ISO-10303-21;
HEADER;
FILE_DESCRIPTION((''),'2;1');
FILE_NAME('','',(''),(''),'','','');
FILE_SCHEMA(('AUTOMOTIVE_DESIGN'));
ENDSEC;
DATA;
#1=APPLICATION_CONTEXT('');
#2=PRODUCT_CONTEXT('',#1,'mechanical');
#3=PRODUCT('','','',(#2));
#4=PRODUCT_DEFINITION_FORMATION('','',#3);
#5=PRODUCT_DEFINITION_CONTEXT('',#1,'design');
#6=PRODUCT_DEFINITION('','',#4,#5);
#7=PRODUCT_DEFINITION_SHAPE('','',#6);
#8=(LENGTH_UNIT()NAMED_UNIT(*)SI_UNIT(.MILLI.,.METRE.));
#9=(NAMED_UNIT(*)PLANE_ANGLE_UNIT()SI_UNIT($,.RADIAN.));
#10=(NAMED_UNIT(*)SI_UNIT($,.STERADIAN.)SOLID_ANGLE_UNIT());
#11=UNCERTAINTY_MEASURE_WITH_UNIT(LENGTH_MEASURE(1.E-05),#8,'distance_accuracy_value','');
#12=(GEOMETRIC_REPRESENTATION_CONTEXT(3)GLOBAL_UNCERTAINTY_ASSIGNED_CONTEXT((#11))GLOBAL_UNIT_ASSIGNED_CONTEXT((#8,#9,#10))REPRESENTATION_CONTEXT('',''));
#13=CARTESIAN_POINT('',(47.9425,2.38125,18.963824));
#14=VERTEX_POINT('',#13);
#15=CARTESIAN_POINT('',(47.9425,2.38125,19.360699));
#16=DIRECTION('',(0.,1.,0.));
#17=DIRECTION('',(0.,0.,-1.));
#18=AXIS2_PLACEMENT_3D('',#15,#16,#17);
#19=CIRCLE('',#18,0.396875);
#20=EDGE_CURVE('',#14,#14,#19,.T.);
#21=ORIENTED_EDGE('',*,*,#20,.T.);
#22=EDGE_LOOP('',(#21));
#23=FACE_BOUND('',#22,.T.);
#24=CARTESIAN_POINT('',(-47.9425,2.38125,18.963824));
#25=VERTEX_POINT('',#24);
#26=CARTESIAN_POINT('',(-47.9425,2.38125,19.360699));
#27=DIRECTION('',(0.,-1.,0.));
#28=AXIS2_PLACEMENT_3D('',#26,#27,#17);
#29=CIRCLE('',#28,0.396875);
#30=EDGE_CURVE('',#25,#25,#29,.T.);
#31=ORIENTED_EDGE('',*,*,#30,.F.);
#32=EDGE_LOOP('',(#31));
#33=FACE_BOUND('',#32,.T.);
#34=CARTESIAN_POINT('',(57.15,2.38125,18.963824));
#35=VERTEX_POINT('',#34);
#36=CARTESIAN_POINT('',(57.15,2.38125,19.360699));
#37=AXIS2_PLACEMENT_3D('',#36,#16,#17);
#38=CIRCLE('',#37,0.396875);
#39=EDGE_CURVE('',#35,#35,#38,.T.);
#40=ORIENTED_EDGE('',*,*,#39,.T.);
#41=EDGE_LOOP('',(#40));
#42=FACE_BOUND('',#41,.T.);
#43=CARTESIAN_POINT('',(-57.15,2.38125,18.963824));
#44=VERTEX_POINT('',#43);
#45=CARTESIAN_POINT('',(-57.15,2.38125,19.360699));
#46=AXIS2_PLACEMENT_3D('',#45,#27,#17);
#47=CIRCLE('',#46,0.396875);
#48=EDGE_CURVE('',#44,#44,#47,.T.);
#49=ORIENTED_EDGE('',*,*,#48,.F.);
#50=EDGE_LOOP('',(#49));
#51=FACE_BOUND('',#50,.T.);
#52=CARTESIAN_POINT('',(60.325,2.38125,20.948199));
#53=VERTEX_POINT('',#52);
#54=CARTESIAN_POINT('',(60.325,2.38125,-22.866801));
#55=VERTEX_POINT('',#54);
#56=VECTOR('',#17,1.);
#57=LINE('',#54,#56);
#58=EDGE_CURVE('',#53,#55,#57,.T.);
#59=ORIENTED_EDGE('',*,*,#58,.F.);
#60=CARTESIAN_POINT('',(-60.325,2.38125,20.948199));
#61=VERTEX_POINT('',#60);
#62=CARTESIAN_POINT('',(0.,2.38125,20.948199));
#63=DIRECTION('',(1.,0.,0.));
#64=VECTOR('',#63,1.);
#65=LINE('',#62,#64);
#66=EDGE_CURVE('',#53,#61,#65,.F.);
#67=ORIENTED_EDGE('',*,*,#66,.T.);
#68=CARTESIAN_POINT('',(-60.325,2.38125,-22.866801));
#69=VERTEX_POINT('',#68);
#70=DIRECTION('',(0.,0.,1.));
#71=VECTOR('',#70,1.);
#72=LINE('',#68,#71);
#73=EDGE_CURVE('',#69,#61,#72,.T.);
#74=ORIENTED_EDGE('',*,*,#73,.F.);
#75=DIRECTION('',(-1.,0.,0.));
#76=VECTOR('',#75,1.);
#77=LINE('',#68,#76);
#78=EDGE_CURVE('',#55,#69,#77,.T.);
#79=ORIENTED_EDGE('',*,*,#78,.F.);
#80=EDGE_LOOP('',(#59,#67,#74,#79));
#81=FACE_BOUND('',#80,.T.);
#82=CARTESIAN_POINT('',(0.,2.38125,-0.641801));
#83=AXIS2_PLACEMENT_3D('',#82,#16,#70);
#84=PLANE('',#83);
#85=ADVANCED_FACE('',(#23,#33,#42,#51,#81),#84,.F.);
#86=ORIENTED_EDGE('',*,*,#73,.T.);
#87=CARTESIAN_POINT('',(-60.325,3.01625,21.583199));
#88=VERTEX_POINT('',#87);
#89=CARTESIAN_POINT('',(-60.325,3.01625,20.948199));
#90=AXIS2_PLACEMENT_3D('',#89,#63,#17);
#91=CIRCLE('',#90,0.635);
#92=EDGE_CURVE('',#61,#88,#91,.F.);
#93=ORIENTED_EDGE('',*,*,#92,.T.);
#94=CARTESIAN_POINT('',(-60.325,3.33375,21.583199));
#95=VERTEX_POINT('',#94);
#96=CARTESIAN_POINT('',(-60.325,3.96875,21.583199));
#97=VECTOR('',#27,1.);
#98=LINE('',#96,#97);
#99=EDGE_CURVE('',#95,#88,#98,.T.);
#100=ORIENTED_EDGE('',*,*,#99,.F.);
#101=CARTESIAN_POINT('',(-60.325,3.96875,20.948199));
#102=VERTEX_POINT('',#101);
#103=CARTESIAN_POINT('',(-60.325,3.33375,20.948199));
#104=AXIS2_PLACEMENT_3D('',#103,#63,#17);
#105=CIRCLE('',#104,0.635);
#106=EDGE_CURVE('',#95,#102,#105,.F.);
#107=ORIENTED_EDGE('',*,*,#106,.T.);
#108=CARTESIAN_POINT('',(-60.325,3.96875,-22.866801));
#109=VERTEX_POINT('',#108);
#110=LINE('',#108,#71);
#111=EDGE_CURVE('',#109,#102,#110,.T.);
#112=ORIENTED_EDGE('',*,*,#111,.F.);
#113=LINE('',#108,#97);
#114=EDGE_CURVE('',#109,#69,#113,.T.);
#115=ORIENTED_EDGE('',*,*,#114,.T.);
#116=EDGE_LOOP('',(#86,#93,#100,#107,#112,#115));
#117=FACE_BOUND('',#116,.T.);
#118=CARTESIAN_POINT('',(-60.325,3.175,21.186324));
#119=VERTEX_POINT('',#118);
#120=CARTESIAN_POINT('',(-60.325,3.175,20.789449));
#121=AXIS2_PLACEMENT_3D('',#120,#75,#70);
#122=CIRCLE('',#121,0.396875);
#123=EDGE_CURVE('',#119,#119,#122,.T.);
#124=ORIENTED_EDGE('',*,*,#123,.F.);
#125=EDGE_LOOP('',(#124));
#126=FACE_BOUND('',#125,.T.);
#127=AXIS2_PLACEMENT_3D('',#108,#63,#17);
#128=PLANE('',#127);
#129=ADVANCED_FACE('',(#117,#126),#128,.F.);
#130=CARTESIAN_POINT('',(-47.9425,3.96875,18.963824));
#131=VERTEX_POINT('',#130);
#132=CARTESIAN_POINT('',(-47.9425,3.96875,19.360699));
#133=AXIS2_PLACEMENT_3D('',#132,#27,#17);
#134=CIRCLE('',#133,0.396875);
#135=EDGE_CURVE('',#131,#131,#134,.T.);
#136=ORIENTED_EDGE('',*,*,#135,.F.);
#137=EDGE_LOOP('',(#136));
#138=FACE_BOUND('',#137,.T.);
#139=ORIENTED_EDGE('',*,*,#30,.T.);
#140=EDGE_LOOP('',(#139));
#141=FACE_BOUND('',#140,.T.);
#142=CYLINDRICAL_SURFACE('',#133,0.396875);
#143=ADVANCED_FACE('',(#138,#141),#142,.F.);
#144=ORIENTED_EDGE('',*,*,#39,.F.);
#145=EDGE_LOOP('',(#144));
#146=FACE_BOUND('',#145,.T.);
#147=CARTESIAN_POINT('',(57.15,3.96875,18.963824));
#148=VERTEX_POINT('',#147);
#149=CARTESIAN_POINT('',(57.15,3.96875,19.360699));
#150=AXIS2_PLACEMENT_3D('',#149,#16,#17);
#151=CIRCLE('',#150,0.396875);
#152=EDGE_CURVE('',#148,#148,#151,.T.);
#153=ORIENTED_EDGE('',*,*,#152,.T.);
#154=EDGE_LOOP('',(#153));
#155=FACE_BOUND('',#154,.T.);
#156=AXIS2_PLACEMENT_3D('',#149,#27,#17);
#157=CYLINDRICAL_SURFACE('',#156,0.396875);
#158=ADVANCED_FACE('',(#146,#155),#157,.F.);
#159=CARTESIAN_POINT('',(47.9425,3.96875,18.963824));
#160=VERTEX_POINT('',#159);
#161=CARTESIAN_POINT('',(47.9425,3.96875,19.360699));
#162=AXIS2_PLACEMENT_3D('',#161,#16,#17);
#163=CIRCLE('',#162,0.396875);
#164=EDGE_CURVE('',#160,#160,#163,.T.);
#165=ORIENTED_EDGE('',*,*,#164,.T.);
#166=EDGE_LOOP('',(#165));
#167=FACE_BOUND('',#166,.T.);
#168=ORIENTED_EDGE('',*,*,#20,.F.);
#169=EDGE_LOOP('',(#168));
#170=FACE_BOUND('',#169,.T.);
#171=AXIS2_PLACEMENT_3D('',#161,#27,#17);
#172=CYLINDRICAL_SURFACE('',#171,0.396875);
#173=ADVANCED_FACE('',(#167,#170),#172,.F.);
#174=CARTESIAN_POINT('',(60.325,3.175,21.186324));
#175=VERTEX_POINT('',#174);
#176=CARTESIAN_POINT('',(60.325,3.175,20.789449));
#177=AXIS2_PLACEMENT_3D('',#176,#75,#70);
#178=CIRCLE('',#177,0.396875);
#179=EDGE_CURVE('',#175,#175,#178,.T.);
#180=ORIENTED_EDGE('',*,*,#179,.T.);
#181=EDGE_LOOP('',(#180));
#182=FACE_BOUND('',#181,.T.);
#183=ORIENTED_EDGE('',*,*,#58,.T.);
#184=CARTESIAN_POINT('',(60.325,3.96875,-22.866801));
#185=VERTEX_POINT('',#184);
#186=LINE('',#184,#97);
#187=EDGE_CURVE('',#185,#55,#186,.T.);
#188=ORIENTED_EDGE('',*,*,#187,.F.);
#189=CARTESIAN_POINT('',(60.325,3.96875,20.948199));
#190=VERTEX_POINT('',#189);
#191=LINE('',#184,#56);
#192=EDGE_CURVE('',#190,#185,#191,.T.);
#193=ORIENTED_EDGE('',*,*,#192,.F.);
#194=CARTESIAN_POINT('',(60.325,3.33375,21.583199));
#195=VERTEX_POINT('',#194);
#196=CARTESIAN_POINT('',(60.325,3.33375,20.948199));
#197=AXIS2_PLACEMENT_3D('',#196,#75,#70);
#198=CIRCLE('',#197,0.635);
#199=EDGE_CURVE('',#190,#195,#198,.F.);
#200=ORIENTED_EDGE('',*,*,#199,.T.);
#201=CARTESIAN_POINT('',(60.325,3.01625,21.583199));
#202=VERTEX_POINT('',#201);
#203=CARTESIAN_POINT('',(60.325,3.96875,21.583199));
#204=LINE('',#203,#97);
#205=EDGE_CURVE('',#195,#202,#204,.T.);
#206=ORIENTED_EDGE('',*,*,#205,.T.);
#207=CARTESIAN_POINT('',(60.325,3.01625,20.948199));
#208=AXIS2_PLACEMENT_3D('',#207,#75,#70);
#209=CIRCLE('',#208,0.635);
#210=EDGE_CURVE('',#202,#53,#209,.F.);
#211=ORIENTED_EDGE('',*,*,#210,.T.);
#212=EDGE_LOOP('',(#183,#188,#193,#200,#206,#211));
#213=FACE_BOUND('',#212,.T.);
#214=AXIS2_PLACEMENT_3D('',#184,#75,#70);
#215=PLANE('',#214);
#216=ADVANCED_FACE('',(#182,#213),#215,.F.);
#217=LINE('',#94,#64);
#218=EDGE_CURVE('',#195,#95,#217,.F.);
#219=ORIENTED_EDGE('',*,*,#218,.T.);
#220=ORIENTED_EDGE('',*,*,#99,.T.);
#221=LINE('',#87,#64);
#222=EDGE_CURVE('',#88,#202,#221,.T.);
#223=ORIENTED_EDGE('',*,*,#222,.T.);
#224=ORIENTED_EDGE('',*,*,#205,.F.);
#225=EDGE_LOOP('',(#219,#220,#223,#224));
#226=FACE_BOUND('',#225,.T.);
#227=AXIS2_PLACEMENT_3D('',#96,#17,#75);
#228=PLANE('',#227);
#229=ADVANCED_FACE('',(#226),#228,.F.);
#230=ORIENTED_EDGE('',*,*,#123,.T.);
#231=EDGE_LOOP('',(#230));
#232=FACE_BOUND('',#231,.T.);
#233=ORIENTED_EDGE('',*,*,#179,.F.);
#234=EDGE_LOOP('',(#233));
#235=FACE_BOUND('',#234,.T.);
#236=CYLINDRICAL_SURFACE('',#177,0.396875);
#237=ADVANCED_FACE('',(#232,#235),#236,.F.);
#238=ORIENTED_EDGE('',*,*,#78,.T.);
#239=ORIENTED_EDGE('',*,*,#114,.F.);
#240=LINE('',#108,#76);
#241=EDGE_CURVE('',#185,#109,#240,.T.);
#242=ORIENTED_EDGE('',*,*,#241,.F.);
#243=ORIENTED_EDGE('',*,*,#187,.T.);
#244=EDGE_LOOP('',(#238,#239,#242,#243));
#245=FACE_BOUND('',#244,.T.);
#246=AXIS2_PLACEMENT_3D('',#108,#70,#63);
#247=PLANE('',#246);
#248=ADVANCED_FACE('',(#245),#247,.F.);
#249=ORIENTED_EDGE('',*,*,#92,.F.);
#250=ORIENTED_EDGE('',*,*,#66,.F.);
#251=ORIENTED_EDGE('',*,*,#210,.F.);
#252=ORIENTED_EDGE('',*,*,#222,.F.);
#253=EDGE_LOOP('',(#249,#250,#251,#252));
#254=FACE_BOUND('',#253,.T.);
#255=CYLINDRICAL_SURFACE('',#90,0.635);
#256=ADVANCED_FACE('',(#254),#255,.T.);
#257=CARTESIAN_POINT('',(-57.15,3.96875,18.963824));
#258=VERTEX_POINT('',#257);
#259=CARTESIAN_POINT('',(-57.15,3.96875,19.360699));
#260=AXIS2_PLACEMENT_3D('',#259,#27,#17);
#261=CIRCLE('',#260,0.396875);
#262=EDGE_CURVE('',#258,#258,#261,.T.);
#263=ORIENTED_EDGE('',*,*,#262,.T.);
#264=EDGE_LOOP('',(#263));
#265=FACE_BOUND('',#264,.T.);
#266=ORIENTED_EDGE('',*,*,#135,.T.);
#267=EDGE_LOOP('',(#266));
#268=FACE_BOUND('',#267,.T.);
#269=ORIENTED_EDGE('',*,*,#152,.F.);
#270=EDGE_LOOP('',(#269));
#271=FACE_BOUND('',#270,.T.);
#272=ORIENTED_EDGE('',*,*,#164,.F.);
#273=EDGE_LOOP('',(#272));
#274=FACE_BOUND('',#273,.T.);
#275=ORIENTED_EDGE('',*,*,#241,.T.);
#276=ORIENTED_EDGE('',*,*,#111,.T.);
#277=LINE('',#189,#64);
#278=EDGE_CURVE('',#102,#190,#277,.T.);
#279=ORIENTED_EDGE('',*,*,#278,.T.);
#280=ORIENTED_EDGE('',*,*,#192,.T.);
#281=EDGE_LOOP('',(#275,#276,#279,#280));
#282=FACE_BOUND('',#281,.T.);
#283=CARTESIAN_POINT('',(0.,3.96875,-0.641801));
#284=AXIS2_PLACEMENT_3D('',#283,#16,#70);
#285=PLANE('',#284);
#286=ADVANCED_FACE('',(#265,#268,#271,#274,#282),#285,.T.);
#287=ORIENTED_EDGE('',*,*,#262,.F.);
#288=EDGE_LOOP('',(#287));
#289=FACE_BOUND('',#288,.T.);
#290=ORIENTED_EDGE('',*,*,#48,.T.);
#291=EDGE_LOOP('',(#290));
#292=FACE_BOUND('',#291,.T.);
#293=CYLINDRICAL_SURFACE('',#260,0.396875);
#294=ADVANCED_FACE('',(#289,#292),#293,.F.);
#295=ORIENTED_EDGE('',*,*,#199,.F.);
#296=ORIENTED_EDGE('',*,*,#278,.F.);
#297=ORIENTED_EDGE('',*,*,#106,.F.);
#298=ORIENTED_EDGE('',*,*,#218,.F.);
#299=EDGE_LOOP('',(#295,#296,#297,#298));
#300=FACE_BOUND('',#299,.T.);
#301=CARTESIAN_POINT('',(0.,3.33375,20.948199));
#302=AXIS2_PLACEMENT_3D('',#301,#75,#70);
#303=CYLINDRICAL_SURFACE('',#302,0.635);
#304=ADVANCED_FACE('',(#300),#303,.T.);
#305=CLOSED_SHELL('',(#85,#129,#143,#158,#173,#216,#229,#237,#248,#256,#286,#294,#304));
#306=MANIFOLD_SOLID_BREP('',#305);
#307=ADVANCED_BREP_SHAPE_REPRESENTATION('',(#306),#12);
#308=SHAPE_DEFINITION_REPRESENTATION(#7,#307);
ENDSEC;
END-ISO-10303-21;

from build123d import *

# Parameters (mm, degrees)
SKETCH1_W           = 482.6
SKETCH1_H           = 177.8
BOSS_EXTRUDE1_DEPTH = 6.35
SKETCH2_R           = 1.5875
CUT_EXTRUDE1_DEPTH  = 491.760932125
FILLET1_R           = 2.54
SKETCH4_R           = 1.5875
CUT_EXTRUDE3_DEPTH  = 258.233789577
SCALE1_SCALE        = 0.25


with BuildPart() as part:
    # Sketch1 → Boss-Extrude1 (new body)
    with BuildSketch(Plane(origin=(0, 0, 0), x_dir=(1, 0, 0), z_dir=(0, 1, 0))):
        Rectangle(SKETCH1_W, SKETCH1_H)
    extrude(amount=BOSS_EXTRUDE1_DEPTH)

    # Sketch2 → Cut-Extrude1 (cut, through all)
    with BuildSketch(Plane.ZY.offset(241.3)):
        with Locations((85.725, 3.175)):
            Circle(SKETCH2_R)
    extrude(amount=-CUT_EXTRUDE1_DEPTH, mode=Mode.SUBTRACT)

    # Fillet1
    fillet1_edges = [part.edges().sort_by_distance(p)[0] for p in [
        (0, 6.35, 88.9),
        (0, 0, 88.9),
    ]]
    fillet(fillet1_edges, radius=FILLET1_R)

    # Sketch4 → Cut-Extrude3 (cut, through all)
    with BuildSketch(Plane.XZ):
        with Locations(Location((-191.77, 80.01, 0), (0, 0, 270))):
            Circle(SKETCH4_R)
        with Locations(Location((-228.6, 80.01, 0), (0, 0, 270))):
            Circle(SKETCH4_R)
    cut_extrude3 = extrude(amount=-CUT_EXTRUDE3_DEPTH, mode=Mode.SUBTRACT)

    # Mirror1: Cut-Extrude3 across plane
    add(cut_extrude3.mirror(Plane(origin=(0, 0, 0), x_dir=(0, 0, 1), z_dir=(1, 0, 0))), mode=Mode.SUBTRACT)


with BuildPart() as part_1:
    # Scale1: scaled about (0, 3.175, -0.855734496)
    add(part.part.scale(SCALE1_SCALE).moved(Location((0, 2.38125, -0.641800872))))


solid = part_1.part
